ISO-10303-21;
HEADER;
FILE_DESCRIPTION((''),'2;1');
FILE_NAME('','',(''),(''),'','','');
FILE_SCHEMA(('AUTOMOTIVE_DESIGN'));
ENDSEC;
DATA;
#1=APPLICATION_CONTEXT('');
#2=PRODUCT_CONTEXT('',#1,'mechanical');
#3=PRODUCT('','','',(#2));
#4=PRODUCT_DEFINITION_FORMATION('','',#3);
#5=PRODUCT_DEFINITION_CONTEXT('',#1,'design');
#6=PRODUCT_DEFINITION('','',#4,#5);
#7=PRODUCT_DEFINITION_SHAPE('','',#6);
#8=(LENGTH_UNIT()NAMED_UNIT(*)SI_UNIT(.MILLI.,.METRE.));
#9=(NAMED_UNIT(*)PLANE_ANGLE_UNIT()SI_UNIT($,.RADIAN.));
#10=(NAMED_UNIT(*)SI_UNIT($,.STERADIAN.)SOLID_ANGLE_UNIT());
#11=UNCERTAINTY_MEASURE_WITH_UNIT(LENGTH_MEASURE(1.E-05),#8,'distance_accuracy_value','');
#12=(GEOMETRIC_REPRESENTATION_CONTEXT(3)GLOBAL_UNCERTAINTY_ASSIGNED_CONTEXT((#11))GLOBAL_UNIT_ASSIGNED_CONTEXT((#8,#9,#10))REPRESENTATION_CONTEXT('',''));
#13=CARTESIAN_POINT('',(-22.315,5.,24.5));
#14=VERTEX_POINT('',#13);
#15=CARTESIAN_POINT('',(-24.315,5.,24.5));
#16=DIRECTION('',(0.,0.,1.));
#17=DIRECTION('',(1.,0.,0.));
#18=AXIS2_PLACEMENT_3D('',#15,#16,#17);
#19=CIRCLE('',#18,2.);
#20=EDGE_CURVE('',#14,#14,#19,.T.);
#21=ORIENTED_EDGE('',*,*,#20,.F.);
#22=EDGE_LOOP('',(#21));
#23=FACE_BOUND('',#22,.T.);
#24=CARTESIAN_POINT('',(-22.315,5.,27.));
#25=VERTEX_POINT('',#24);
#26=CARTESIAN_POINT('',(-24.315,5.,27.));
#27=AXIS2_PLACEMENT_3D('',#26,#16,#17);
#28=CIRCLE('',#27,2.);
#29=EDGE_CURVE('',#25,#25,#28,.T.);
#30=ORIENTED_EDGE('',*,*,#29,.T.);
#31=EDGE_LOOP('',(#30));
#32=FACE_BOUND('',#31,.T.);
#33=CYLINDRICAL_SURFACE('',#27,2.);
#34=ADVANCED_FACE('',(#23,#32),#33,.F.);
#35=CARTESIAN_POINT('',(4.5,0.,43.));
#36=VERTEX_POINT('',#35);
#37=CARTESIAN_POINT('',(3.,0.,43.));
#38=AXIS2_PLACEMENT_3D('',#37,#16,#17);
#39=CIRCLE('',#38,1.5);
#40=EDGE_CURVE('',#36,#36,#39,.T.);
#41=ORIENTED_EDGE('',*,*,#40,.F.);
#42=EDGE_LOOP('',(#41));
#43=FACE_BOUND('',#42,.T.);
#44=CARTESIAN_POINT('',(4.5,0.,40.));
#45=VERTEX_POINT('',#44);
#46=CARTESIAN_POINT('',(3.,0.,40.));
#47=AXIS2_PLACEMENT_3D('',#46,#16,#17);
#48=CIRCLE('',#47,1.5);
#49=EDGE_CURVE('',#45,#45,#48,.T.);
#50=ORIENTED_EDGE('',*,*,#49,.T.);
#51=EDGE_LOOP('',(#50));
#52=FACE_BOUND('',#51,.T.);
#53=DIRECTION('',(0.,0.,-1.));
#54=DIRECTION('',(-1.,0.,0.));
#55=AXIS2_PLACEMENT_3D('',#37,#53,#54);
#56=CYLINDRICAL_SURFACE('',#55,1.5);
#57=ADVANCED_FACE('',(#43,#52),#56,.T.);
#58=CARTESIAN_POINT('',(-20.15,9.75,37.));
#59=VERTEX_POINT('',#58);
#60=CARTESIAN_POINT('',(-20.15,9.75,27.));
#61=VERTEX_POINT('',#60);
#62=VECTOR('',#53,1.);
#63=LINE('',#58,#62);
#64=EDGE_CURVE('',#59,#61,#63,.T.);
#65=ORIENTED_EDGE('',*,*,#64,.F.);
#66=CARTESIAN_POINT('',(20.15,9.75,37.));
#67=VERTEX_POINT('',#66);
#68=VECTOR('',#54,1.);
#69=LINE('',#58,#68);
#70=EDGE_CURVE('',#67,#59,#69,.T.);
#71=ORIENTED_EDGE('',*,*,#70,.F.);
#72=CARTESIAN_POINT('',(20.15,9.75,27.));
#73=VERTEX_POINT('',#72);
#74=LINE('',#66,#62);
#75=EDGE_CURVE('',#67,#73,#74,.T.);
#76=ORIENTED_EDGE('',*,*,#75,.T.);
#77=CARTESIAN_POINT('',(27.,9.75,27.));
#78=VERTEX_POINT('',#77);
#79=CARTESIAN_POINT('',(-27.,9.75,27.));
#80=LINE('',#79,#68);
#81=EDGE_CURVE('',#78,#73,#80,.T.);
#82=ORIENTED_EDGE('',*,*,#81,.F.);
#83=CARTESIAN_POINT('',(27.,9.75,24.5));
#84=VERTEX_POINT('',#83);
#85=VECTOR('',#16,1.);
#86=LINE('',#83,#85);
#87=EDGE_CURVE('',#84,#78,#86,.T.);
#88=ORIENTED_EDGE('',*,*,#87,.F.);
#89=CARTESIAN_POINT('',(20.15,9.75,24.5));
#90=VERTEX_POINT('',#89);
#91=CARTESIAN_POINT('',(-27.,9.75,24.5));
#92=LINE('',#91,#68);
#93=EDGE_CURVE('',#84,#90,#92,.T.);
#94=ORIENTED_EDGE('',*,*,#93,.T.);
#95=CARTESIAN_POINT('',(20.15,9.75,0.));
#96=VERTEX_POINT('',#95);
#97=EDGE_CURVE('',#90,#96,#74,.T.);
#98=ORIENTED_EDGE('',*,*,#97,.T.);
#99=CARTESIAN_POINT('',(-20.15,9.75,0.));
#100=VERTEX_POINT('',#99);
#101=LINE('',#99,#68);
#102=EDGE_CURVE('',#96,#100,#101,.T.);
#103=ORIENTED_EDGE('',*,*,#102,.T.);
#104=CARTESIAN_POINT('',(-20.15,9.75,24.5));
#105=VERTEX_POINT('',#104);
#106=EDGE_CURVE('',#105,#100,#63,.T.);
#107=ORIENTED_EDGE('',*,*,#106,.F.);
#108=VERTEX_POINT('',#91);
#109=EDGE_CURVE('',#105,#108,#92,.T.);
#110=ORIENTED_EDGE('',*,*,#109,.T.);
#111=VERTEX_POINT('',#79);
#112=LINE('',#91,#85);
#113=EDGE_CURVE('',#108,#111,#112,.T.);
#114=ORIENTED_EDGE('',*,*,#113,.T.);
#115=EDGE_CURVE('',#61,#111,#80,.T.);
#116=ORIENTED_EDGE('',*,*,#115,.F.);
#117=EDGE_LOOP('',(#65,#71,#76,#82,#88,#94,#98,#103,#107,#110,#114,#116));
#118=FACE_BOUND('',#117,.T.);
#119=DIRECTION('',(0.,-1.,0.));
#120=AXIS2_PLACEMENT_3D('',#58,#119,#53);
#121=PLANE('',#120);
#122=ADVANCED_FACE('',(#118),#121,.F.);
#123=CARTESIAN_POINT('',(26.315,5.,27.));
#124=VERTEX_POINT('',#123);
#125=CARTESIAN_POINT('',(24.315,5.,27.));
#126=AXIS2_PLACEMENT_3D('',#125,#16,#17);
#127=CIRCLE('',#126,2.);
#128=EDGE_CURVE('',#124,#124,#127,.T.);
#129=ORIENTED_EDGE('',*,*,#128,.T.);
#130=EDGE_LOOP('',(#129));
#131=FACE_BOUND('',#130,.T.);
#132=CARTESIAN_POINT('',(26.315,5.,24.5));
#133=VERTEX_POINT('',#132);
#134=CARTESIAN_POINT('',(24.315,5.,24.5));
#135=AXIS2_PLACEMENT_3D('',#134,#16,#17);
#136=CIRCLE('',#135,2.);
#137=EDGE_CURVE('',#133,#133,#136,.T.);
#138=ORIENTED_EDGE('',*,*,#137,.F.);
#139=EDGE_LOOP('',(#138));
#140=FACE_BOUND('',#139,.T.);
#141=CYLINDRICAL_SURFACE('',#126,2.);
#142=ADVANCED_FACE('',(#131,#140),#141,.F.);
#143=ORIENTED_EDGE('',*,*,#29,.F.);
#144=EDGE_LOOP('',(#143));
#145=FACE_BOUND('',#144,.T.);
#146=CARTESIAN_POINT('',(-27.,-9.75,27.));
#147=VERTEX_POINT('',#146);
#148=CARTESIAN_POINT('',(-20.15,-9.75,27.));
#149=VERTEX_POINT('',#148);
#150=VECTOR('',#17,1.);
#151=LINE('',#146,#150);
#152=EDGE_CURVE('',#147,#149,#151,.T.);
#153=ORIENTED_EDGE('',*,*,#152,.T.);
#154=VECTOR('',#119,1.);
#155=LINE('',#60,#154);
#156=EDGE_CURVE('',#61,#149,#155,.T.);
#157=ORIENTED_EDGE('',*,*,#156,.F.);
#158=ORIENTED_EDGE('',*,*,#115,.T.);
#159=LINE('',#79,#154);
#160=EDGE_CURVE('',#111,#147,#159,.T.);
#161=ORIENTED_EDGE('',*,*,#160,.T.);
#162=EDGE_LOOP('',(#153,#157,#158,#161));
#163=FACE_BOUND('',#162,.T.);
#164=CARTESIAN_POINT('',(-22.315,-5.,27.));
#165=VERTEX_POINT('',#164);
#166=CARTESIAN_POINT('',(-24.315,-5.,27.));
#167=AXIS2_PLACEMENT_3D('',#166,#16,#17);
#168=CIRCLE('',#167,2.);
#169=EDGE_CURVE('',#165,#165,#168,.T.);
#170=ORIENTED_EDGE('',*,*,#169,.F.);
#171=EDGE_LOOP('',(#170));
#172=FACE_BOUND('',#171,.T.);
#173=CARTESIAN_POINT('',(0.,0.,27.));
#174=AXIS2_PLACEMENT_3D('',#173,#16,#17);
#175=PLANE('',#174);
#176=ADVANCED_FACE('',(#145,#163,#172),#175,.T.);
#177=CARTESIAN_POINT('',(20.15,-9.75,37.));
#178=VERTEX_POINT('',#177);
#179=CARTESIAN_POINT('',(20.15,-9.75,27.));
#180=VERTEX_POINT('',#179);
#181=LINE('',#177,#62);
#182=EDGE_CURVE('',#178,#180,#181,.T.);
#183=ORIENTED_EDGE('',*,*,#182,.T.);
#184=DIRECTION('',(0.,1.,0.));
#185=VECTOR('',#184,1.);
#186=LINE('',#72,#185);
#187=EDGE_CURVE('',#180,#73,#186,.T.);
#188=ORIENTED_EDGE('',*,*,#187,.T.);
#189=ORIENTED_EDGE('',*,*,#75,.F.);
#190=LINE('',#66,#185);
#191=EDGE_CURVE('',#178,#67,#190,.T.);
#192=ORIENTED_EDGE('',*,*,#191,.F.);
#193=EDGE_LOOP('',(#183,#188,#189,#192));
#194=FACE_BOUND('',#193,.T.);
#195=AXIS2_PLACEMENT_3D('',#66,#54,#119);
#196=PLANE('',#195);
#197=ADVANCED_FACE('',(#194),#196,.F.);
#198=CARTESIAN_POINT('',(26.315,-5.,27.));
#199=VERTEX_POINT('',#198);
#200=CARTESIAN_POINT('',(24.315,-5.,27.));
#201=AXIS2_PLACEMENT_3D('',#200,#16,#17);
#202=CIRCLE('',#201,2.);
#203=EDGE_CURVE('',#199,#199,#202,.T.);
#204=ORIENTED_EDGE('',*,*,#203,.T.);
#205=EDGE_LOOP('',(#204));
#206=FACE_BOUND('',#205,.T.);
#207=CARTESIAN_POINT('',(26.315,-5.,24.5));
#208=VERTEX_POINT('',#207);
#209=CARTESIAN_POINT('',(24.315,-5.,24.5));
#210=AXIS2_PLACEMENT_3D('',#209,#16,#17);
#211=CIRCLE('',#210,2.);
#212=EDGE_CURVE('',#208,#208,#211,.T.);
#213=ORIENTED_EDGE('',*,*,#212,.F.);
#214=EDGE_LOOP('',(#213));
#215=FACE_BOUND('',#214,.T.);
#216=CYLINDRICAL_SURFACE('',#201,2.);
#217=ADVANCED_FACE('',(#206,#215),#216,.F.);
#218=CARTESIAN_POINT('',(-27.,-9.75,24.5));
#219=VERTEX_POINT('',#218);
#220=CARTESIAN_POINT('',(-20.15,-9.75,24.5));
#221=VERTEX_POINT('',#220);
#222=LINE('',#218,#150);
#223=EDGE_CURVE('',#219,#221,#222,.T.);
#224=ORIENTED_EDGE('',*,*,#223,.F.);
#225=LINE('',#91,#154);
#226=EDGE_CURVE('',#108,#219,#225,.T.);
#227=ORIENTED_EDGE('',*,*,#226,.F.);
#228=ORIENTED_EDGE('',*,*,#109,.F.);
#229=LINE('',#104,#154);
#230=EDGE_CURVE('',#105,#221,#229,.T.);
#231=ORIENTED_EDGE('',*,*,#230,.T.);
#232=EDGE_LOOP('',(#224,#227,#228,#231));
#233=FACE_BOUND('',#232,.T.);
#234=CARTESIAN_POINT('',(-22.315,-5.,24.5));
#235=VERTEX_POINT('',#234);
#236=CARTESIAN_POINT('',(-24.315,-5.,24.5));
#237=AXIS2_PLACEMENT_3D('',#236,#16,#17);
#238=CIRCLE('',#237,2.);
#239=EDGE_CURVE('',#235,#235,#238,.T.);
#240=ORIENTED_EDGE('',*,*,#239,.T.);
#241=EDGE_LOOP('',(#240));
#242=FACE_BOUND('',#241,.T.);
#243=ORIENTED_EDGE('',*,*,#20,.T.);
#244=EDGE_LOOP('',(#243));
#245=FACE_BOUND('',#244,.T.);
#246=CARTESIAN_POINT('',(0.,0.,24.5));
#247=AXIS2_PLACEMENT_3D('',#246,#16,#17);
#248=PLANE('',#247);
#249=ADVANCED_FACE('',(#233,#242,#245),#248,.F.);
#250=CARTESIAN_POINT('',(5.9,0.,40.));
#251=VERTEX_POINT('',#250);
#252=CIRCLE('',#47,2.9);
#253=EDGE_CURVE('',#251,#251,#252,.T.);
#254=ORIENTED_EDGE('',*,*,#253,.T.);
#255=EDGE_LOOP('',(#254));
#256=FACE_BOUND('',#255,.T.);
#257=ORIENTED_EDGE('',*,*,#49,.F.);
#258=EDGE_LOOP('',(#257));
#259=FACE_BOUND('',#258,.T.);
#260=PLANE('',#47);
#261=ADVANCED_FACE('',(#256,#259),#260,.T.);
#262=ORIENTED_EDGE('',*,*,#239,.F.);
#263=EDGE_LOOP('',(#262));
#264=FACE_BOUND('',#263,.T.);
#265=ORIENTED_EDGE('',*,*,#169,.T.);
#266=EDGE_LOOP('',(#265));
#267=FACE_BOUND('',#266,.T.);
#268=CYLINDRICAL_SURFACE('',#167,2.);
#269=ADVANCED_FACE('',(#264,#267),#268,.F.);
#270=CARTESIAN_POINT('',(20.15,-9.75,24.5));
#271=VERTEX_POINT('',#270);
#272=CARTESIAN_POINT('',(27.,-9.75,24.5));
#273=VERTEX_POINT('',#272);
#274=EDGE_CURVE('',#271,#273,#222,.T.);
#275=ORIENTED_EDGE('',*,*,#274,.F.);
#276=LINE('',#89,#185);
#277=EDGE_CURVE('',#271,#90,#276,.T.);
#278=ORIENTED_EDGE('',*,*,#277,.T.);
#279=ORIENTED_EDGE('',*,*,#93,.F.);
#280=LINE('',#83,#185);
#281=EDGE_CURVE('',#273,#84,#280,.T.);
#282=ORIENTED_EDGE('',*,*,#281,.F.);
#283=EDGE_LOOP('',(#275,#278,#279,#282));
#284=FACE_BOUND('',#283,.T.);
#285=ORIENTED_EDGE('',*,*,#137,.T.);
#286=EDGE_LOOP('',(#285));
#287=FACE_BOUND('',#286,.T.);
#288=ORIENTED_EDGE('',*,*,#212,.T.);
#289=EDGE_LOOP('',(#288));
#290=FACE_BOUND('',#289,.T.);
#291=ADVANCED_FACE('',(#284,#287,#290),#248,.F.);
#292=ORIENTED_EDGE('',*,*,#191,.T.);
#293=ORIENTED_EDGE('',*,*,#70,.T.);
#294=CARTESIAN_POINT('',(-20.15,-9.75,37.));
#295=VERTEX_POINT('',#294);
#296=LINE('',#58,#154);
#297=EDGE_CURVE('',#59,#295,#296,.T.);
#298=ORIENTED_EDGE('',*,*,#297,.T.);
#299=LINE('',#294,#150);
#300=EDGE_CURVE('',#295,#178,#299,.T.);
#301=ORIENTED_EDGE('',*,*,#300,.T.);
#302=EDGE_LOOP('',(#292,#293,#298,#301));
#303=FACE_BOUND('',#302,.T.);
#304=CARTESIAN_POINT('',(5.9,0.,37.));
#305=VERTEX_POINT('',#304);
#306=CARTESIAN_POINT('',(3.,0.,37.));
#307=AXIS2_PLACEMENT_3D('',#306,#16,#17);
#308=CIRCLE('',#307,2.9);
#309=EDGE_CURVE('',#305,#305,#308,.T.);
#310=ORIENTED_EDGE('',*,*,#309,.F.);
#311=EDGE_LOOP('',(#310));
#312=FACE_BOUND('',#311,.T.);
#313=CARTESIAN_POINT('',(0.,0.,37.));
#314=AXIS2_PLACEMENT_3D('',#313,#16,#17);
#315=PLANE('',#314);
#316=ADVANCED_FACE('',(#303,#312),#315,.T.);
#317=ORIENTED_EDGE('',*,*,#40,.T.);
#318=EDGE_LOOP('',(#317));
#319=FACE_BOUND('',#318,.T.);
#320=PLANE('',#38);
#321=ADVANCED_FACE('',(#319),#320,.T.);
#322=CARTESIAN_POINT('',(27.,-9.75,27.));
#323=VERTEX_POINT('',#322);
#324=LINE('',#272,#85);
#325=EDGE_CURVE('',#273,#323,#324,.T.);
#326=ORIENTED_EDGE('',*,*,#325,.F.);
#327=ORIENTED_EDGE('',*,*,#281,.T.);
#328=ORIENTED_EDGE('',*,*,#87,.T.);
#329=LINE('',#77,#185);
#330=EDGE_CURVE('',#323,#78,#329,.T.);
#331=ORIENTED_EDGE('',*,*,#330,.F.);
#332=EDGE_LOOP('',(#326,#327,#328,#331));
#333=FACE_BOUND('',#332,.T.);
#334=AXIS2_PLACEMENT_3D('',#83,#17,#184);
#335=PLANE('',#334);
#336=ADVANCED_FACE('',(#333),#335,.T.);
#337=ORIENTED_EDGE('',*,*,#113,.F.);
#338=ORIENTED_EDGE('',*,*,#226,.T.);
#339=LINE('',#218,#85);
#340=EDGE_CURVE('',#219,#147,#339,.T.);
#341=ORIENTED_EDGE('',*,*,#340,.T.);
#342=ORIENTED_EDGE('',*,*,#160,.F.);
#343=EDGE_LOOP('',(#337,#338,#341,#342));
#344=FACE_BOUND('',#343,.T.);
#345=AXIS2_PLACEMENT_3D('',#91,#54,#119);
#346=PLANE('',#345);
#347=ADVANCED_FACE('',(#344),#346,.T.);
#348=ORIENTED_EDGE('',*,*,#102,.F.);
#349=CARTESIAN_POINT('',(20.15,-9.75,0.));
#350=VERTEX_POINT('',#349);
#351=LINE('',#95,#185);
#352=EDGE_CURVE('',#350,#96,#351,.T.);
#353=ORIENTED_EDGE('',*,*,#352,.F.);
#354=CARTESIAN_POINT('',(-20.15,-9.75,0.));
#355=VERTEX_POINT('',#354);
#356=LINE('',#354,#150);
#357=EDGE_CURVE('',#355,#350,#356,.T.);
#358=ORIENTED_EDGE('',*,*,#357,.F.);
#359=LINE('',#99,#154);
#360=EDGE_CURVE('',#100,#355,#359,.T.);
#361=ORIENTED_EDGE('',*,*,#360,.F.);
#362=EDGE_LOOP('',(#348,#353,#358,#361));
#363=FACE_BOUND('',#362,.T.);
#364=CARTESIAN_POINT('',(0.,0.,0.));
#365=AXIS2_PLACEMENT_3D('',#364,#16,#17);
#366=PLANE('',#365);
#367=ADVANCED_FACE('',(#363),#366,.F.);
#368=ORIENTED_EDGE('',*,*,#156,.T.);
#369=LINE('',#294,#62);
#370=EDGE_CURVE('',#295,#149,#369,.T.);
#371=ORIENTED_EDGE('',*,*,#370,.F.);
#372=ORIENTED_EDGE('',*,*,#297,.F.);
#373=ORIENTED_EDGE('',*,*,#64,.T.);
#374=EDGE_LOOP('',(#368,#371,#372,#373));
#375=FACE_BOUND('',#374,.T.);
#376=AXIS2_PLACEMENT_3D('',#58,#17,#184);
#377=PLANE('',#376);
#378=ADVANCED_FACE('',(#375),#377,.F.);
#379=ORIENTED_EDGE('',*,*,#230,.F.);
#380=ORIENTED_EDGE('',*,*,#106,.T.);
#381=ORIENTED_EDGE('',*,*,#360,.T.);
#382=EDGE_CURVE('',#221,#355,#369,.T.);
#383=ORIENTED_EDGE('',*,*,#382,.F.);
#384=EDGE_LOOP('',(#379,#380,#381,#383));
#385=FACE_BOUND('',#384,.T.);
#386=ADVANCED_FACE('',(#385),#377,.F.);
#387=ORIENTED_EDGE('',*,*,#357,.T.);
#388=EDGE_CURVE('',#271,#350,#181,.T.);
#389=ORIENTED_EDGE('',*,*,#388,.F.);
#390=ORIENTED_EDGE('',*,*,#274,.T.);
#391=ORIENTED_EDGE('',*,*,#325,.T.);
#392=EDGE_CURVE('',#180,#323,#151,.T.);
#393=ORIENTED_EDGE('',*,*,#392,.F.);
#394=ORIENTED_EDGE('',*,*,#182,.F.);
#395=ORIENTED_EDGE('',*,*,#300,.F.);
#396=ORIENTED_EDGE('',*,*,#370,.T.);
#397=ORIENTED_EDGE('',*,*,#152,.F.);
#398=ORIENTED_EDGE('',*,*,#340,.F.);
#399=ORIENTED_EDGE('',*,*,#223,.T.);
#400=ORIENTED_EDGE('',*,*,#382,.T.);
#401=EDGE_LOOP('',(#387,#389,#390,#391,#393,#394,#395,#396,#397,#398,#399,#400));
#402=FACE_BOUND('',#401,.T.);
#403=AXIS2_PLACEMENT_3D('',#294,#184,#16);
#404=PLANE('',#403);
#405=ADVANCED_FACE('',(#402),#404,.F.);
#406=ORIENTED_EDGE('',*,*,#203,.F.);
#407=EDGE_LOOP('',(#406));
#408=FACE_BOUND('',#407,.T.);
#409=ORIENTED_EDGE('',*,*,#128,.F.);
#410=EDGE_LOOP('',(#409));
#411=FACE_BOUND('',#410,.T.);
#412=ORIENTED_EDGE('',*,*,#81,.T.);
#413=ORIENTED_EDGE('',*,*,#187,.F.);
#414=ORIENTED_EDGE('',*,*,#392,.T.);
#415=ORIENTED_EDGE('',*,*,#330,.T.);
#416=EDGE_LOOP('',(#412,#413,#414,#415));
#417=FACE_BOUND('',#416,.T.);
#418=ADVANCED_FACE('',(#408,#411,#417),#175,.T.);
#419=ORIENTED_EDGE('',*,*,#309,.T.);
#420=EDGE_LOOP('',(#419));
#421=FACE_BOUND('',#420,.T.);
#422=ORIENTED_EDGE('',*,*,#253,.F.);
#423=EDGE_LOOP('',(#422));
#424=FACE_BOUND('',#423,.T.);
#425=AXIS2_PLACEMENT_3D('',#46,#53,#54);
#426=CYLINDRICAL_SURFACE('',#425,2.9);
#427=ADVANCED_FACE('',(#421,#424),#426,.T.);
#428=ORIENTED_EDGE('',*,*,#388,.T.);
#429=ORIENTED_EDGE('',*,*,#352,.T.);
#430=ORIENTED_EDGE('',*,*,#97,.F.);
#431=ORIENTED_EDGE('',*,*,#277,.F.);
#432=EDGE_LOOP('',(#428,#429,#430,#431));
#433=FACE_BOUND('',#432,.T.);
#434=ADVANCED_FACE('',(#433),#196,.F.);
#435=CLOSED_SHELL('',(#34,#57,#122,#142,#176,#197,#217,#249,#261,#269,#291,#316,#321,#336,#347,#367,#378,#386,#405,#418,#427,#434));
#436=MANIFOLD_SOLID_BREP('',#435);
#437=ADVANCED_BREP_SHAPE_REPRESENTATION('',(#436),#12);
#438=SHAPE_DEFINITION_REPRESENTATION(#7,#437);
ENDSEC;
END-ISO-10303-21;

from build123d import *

# Parameters (mm, degrees)
SKETCH_1_W      = 40.3
SKETCH_1_H      = 19.5
EXTRUDE_1_DEPTH = 37
SKETCH_2_R      = 2.9
EXTRUDE_2_DEPTH = 3
SKETCH_3_R      = 1.5
EXTRUDE_3_DEPTH = 3
SKETCH_4_W      = 54
SKETCH_4_H      = 19.5
EXTRUDE_4_DEPTH = 2.5
MM_1_D          = 4
MM_1_DEPTH      = 7.5
MM_1_TIP        = 1.201721238


with BuildPart() as part:
    # 草图1 → 凸台-拉伸1 (new body)
    with BuildSketch(Plane.XY):
        Rectangle(SKETCH_1_W, SKETCH_1_H)
    extrude(amount=EXTRUDE_1_DEPTH)

    # 草图2 → 凸台-拉伸2 (add)
    with BuildSketch(Plane.XY.offset(37)):
        with Locations((3, 0)):
            Circle(SKETCH_2_R)
    extrude(amount=EXTRUDE_2_DEPTH)

    # 草图3 → 凸台-拉伸3 (add)
    with BuildSketch(Plane.XY.offset(40)):
        with Locations((3, 0)):
            Circle(SKETCH_3_R)
    extrude(amount=EXTRUDE_3_DEPTH)

    # 草图4 → 凸台-拉伸4 (add)
    with BuildSketch(Plane.XY.offset(27)):
        Rectangle(SKETCH_4_W, SKETCH_4_H)
    extrude(amount=-EXTRUDE_4_DEPTH)

    # 大小mm 暗销孔1
    with Locations(Plane.XY.offset(27)):
        with Locations((-24.315, 5), (-24.315, -5), (24.315, -5), (24.315, 5)):
            Hole(MM_1_D / 2, depth=MM_1_DEPTH)
            with Locations((0, 0, -(MM_1_DEPTH + MM_1_TIP / 2))):  # 118° drill point
                Cone(0, MM_1_D / 2, MM_1_TIP, mode=Mode.SUBTRACT)


solid = part.part
